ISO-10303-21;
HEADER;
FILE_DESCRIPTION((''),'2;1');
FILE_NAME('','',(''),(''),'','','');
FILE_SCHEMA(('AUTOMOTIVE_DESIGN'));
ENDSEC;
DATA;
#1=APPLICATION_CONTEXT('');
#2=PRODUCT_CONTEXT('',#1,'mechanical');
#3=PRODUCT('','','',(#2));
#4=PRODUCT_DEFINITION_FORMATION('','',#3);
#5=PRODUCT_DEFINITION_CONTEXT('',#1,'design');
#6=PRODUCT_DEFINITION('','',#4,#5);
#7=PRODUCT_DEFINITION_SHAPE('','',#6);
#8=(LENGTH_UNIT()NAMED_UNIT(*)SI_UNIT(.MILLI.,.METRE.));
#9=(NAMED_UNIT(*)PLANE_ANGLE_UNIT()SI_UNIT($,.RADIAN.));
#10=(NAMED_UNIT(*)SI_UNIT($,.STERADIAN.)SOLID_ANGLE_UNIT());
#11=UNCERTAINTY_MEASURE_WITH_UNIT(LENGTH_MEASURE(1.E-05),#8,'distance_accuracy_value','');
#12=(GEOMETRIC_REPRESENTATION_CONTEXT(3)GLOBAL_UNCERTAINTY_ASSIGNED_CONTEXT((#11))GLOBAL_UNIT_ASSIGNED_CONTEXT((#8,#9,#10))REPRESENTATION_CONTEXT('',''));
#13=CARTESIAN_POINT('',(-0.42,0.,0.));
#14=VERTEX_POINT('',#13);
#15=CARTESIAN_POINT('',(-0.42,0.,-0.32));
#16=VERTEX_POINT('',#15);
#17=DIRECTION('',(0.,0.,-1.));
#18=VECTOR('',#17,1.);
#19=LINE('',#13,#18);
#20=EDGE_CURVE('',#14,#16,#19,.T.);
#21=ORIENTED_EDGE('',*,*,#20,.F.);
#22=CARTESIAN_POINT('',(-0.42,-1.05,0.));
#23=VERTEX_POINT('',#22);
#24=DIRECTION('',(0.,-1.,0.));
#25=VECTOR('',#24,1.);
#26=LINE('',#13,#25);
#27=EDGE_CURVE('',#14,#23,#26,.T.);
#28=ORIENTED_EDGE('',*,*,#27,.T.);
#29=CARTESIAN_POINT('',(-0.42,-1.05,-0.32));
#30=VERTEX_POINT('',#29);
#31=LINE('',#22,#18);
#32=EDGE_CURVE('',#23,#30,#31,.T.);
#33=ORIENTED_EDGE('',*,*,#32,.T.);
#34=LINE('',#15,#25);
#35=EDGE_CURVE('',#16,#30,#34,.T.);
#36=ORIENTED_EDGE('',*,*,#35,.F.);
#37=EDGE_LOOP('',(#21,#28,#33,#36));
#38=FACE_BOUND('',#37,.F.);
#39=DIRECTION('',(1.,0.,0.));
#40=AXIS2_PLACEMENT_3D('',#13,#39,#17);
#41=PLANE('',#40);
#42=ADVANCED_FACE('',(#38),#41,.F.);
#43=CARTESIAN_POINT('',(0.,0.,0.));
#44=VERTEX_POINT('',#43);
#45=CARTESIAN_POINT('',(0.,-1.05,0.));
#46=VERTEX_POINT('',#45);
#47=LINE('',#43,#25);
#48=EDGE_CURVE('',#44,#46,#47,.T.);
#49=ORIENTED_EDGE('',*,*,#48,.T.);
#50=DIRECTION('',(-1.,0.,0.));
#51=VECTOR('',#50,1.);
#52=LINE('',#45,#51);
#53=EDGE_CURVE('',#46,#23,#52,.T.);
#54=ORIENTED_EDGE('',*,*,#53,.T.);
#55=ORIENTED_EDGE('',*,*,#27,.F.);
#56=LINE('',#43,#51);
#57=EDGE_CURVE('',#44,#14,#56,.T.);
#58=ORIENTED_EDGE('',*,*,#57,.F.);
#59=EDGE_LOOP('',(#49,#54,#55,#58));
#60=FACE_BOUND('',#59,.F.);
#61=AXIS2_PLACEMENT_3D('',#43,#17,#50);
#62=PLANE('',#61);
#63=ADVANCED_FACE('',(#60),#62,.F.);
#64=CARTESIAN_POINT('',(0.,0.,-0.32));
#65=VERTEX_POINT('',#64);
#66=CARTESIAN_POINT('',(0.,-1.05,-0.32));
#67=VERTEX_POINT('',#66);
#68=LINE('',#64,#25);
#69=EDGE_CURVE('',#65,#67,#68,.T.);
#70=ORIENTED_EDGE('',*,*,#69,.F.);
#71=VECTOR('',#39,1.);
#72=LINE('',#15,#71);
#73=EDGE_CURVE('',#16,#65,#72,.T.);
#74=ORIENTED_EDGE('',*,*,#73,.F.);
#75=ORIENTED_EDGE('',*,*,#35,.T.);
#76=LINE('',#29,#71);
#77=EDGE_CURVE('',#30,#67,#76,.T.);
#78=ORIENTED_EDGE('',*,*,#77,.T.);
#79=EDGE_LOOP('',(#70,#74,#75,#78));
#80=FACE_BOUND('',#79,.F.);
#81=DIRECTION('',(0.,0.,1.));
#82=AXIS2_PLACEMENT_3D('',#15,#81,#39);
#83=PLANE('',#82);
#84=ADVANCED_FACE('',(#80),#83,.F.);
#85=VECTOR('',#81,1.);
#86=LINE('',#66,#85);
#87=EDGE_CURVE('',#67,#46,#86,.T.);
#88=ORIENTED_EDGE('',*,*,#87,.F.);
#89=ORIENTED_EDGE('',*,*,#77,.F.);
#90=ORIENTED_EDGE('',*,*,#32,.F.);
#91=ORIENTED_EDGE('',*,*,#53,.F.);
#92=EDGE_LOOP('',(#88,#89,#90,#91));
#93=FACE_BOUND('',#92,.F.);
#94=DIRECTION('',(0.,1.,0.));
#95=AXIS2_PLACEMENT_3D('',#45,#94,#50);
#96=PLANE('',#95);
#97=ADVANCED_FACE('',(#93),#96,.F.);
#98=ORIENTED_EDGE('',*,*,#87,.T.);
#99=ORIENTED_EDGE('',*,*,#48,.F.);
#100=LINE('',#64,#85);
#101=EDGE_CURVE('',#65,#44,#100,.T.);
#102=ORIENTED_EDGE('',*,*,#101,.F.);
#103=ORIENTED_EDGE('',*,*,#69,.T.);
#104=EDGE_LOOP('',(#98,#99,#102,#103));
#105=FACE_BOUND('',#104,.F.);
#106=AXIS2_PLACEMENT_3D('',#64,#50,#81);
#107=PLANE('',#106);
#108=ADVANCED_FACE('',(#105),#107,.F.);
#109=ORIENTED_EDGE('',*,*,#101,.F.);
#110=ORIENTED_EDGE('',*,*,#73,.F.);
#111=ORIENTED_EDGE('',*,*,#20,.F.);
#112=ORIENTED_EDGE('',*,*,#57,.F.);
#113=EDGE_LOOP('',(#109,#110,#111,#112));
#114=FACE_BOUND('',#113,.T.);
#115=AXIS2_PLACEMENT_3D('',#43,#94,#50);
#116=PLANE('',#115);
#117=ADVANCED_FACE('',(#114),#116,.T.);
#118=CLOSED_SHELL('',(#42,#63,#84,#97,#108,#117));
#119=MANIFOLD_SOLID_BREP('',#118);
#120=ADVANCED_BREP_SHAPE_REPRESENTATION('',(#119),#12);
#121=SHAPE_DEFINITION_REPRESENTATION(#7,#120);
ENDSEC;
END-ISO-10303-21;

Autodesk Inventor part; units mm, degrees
ref_plane "YZ Plane" through (0, 0, 0) normal (1, 0, 0) x (0, 1, 0)
ref_plane "XZ Plane" through (0, 0, 0) normal (0, 1, 0) x (-1, 0, 0)
ref_plane "XY Plane" through (0, 0, 0) normal (0, 0, 1) x (1, 0, 0)
sketch "スケッチ1" plane through (0, 0, 0) normal (0, 1, 0) x (-1, 0, 0)
  line L0 (0, 0) -> (0.42, 0)
  line L1 (0.42, 0) -> (0.42, -0.32)
  line L2 (0.42, -0.32) -> (0, -0.32)
  line L3 (0, -0.32) -> (0, 0)
  dimension "d0" = 0.42
  dimension "d1" = 0.32
extrude "押し出し1" add sketch "スケッチ1" against normal blind 1.05
properties part number "CRANEJ2"
